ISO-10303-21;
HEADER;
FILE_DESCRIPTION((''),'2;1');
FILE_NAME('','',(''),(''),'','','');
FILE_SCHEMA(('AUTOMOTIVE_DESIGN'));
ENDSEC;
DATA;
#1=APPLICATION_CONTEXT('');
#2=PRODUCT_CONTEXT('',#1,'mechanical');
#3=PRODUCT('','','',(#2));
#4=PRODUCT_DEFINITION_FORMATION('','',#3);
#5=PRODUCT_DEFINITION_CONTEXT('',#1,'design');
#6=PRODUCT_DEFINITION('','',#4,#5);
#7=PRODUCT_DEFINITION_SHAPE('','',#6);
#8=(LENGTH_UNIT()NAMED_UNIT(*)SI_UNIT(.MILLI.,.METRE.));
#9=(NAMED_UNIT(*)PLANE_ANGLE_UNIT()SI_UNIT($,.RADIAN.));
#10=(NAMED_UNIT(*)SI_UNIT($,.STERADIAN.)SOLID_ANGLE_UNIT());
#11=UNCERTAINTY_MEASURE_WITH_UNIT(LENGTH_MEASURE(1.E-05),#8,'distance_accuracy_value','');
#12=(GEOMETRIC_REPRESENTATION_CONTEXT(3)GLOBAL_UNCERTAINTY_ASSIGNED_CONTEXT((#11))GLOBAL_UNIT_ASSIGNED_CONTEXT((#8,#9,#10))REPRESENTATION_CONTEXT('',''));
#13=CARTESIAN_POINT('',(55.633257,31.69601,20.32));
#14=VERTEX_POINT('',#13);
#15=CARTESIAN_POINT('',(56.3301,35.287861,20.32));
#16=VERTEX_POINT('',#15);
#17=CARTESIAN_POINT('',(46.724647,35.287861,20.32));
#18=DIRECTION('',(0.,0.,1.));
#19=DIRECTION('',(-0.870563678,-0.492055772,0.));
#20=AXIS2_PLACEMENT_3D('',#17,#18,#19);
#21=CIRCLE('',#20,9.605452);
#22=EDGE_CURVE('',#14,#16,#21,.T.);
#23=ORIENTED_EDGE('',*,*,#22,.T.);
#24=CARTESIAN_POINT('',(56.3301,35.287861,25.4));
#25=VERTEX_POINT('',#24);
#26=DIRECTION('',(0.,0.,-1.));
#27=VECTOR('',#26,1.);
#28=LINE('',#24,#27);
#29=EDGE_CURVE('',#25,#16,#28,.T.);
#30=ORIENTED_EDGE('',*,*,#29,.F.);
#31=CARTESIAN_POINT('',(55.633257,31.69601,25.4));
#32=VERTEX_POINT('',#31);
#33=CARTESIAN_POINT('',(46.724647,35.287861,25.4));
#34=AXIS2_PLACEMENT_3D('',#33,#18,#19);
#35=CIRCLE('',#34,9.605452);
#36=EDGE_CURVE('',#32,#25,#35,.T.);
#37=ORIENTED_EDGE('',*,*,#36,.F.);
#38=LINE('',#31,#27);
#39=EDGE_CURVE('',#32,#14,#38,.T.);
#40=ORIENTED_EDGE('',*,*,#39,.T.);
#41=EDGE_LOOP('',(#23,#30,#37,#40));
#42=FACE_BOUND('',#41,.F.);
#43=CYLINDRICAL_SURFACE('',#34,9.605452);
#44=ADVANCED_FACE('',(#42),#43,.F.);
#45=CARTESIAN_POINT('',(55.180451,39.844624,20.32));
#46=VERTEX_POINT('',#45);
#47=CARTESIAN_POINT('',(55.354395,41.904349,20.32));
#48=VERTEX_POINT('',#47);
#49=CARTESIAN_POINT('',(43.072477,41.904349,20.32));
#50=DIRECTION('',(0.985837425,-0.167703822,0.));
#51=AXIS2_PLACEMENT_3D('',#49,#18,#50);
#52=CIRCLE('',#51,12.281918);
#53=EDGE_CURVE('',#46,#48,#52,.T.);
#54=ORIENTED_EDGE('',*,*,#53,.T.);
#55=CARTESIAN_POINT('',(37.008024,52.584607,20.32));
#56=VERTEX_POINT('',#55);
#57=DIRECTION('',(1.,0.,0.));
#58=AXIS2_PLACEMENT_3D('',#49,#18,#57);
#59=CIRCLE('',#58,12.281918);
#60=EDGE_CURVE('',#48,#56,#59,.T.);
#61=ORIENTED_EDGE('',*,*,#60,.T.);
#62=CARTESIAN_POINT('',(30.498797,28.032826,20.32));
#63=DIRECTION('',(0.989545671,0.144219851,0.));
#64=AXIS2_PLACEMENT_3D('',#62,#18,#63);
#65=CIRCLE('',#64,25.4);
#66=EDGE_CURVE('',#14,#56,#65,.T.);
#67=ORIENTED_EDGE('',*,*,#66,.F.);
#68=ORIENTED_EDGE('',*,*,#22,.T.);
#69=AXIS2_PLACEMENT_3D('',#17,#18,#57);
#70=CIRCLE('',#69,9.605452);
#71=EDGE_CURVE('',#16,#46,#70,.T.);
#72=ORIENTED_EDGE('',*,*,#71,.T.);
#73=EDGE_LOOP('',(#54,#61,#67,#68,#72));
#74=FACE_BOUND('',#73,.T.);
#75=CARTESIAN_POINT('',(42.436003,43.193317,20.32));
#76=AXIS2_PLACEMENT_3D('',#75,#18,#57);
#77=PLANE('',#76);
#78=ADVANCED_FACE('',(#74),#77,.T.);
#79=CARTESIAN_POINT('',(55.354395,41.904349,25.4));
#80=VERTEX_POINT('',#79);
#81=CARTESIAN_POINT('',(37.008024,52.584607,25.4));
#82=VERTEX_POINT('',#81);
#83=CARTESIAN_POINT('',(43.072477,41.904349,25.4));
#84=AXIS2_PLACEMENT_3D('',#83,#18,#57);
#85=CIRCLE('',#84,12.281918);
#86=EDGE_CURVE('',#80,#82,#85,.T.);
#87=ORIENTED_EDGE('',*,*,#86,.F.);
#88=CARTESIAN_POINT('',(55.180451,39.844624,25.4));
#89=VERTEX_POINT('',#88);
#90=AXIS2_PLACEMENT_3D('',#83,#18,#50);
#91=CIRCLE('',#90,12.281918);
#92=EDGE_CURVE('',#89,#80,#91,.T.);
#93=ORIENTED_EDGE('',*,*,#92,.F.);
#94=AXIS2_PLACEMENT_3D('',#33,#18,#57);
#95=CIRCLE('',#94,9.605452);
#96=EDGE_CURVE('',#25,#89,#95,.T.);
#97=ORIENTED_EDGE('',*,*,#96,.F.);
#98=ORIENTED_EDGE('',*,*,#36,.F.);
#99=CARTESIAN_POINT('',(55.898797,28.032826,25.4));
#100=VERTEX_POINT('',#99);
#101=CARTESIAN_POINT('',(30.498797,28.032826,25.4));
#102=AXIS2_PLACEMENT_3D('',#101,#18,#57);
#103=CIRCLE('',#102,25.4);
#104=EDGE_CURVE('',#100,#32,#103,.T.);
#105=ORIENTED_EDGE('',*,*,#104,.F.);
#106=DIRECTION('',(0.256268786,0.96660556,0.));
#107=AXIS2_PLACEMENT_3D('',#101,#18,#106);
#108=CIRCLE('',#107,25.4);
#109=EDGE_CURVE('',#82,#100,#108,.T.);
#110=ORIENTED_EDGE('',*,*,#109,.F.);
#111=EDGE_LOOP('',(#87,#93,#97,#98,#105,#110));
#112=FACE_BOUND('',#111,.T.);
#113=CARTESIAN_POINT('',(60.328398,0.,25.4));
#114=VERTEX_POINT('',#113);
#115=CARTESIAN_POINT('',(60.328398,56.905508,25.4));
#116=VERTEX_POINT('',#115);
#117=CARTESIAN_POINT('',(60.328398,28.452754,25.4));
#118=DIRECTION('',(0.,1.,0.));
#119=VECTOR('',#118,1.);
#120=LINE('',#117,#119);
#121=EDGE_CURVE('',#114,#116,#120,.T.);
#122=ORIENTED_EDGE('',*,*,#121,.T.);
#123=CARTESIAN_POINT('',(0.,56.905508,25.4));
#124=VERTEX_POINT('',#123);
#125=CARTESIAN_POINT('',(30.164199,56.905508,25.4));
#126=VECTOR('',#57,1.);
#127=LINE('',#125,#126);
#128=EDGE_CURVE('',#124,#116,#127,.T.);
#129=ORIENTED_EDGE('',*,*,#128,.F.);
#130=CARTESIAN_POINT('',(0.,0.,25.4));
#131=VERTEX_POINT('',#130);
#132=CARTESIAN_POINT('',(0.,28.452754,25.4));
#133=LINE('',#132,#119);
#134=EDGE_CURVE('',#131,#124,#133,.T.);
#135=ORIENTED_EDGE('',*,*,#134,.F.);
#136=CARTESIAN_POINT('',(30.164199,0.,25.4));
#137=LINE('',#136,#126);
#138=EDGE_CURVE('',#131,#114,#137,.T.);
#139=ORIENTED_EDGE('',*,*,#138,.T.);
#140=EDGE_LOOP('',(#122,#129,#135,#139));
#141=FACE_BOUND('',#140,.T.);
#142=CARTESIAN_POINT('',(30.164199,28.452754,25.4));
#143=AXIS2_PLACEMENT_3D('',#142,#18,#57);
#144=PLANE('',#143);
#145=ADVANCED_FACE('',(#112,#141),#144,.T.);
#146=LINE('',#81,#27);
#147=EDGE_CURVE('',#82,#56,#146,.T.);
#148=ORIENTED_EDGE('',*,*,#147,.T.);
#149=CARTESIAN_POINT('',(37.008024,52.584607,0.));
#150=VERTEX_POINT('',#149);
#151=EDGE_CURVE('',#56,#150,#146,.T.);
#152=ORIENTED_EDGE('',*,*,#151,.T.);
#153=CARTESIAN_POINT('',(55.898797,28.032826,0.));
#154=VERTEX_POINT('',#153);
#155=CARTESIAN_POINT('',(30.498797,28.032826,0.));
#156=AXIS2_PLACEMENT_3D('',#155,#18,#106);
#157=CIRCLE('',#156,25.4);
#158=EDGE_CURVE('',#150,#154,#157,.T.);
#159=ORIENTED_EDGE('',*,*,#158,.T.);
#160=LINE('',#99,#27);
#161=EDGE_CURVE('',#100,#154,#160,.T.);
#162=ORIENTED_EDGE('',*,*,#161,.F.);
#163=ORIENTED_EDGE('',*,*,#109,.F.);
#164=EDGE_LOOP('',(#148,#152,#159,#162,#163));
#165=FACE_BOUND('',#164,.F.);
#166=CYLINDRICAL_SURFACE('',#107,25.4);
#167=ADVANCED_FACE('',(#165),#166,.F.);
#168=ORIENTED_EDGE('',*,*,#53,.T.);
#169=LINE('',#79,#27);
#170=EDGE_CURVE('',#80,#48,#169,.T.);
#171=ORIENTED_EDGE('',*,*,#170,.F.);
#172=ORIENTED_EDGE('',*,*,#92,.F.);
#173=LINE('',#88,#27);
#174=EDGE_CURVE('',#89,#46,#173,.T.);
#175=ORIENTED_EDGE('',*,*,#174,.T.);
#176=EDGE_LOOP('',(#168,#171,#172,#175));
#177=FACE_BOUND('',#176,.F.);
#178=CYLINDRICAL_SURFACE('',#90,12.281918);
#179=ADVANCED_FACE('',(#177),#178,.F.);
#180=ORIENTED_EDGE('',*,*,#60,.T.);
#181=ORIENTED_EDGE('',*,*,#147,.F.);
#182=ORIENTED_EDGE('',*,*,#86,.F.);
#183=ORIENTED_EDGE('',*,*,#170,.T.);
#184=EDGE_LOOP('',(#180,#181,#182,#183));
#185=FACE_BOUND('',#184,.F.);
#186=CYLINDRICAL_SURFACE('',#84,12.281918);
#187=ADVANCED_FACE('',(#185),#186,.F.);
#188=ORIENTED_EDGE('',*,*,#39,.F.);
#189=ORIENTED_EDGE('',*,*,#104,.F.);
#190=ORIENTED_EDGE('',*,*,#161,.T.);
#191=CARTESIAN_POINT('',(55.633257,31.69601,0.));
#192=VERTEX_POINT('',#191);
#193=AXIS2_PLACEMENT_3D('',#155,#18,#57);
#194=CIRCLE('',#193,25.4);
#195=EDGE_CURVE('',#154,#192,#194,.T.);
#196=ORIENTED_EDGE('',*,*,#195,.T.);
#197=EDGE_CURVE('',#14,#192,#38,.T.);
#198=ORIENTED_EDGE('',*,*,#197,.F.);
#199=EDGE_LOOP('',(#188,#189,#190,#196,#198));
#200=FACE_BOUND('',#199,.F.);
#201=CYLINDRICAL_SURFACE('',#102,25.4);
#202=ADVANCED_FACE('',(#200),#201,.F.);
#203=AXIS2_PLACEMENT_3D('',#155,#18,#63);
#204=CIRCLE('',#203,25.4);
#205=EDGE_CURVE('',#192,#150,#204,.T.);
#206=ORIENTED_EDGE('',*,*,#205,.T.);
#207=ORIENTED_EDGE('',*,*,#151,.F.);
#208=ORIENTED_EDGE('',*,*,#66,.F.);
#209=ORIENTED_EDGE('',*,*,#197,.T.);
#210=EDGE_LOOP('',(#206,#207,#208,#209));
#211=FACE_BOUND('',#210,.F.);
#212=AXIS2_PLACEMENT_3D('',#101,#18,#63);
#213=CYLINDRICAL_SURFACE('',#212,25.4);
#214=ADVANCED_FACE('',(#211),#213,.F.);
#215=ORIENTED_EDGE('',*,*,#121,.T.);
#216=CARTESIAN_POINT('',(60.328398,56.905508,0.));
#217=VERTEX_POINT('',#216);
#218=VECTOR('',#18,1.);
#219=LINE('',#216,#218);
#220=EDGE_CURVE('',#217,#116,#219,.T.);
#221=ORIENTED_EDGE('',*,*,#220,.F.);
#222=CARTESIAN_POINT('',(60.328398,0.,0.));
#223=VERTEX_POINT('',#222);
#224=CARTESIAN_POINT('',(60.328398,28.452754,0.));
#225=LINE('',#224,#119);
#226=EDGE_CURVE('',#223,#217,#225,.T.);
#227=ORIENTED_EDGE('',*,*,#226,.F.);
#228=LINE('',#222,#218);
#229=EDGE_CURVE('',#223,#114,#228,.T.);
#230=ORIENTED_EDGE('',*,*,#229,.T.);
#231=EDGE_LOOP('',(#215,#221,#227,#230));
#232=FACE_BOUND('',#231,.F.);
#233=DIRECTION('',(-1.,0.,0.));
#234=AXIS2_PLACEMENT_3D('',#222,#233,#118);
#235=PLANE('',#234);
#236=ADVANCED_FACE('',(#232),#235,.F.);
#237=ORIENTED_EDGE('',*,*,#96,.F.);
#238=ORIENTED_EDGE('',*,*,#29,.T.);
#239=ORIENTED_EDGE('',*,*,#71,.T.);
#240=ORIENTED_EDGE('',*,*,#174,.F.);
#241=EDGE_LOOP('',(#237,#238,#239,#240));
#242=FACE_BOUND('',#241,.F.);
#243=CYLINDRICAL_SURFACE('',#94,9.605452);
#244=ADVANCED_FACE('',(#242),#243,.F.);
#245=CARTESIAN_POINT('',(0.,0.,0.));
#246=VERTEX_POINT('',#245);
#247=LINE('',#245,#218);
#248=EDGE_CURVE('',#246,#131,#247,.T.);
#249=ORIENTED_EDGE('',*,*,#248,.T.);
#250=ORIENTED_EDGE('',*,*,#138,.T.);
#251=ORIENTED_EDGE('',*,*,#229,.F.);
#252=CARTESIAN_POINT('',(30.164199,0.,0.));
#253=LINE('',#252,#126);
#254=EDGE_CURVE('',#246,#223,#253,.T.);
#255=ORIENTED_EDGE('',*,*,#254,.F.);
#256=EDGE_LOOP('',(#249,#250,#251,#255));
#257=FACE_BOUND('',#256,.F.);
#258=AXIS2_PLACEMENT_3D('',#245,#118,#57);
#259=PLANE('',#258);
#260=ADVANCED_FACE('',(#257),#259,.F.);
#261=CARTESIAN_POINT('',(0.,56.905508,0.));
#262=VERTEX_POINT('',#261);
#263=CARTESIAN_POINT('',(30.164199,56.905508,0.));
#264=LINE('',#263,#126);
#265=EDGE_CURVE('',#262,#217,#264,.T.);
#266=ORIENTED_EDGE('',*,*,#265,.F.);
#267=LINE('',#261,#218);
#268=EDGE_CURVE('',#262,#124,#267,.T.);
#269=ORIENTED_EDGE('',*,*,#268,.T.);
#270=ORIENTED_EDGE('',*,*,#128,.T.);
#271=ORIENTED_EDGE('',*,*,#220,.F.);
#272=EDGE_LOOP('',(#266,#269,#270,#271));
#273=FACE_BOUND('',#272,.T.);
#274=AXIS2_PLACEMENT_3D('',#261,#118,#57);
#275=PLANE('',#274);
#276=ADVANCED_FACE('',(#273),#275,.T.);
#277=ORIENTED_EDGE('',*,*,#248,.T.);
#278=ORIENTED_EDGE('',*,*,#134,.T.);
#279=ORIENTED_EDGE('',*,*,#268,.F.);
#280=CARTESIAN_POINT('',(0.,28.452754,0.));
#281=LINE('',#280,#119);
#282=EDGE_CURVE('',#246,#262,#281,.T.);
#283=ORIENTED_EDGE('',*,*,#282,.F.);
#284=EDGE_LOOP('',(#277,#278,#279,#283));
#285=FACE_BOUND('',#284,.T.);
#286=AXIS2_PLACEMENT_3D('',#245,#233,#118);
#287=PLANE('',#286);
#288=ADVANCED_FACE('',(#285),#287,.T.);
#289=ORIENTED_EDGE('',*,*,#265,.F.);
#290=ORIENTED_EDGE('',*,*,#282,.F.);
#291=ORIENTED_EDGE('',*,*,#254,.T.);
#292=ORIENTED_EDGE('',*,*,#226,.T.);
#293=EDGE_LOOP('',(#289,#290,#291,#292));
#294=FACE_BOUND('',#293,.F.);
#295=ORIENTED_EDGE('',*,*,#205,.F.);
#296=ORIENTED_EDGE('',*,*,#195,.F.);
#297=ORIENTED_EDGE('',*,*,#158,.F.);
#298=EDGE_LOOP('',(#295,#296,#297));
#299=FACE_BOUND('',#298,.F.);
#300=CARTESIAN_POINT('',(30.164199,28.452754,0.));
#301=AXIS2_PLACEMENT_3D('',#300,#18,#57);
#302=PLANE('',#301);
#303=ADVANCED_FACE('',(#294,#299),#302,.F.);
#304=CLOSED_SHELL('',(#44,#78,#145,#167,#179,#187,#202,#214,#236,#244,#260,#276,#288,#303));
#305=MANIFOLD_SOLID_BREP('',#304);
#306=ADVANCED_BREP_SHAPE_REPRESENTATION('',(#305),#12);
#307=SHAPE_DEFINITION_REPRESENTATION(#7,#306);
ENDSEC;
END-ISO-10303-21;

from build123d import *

# Parameters (mm, degrees)
F0_W     = 60.3283978999
F0_H     = 56.9055080414
F1_DEPTH = 25.4
F3_DEPTH = 5.08
F5_DEPTH = 25.401


with BuildPart() as f1:
    # F0 (on Top) → F1 (new body)
    with BuildSketch(Plane.XY):
        with Locations((30.1641989499, 28.4527540207)):
            Rectangle(F0_W, F0_H)
    extrude(amount=F1_DEPTH)

    # F2 (on face) → F3 (cut)
    with BuildSketch(Plane.XY.offset(25.4)):
        with BuildLine():
            ThreePointArc((55.1804514534, 39.8446242733), (55.3108318877, 40.8708207203), (55.3543950429, 41.9043488801))
            ThreePointArc((55.3543950429, 41.9043488801), (36.2534657798, 52.11936711), (38.3624892299, 30.5614424362))
            ThreePointArc((38.3624892299, 30.5614424362), (42.0828202021, 43.6972697394), (55.1804514534, 39.8446242733))
        make_face()
        with BuildLine():
            ThreePointArc((55.1804514534, 39.8446242733), (42.0828202021, 43.6972697394), (38.3624892299, 30.5614424362))
            ThreePointArc((38.3624892299, 30.5614424362), (49.0077038635, 31.1517402149), (55.1804514534, 39.8446242733))
        make_face()
        with BuildLine():
            ThreePointArc((55.1804514534, 39.8446242733), (49.0077038635, 31.1517402149), (38.3624892299, 30.5614424362))
            ThreePointArc((38.3624892299, 30.5614424362), (49.1682517649, 25.9984305066), (56.3300997812, 35.287860781))
            ThreePointArc((56.3300997812, 35.287860781), (56.0382540759, 37.6376365577), (55.1804514534, 39.8446242733))
        make_face()
    extrude(amount=-F3_DEPTH, mode=Mode.SUBTRACT)

    # F4 (on face) → F5 (cut, through all)
    with BuildSketch(Plane.XY.offset(25.4)):
        with BuildLine():
            ThreePointArc((37.0080242328, 52.5846074944), (10.3680448546, 12.5437070116), (55.898797074, 28.0328262597))
            ThreePointArc((55.898797074, 28.0328262597), (55.8323251046, 29.8692242337), (55.6332571118, 31.6960104763))
            ThreePointArc((55.6332571118, 31.6960104763), (47.3543007953, 25.7030679225), (38.3624892299, 30.5614424362))
            ThreePointArc((38.3624892299, 30.5614424362), (30.8137212617, 41.1504129454), (37.0080242328, 52.5846074944))
        make_face()
        with BuildLine():
            ThreePointArc((38.3624892299, 30.5614424362), (47.3543007953, 25.7030679225), (55.6332571118, 31.6960104763))
            ThreePointArc((55.6332571118, 31.6960104763), (49.4570170906, 44.9368463083), (37.0080242328, 52.5846074944))
            ThreePointArc((37.0080242328, 52.5846074944), (30.8137212617, 41.1504129454), (38.3624892299, 30.5614424362))
        make_face()
    extrude(amount=-F5_DEPTH, mode=Mode.SUBTRACT)


solid = f1.part
